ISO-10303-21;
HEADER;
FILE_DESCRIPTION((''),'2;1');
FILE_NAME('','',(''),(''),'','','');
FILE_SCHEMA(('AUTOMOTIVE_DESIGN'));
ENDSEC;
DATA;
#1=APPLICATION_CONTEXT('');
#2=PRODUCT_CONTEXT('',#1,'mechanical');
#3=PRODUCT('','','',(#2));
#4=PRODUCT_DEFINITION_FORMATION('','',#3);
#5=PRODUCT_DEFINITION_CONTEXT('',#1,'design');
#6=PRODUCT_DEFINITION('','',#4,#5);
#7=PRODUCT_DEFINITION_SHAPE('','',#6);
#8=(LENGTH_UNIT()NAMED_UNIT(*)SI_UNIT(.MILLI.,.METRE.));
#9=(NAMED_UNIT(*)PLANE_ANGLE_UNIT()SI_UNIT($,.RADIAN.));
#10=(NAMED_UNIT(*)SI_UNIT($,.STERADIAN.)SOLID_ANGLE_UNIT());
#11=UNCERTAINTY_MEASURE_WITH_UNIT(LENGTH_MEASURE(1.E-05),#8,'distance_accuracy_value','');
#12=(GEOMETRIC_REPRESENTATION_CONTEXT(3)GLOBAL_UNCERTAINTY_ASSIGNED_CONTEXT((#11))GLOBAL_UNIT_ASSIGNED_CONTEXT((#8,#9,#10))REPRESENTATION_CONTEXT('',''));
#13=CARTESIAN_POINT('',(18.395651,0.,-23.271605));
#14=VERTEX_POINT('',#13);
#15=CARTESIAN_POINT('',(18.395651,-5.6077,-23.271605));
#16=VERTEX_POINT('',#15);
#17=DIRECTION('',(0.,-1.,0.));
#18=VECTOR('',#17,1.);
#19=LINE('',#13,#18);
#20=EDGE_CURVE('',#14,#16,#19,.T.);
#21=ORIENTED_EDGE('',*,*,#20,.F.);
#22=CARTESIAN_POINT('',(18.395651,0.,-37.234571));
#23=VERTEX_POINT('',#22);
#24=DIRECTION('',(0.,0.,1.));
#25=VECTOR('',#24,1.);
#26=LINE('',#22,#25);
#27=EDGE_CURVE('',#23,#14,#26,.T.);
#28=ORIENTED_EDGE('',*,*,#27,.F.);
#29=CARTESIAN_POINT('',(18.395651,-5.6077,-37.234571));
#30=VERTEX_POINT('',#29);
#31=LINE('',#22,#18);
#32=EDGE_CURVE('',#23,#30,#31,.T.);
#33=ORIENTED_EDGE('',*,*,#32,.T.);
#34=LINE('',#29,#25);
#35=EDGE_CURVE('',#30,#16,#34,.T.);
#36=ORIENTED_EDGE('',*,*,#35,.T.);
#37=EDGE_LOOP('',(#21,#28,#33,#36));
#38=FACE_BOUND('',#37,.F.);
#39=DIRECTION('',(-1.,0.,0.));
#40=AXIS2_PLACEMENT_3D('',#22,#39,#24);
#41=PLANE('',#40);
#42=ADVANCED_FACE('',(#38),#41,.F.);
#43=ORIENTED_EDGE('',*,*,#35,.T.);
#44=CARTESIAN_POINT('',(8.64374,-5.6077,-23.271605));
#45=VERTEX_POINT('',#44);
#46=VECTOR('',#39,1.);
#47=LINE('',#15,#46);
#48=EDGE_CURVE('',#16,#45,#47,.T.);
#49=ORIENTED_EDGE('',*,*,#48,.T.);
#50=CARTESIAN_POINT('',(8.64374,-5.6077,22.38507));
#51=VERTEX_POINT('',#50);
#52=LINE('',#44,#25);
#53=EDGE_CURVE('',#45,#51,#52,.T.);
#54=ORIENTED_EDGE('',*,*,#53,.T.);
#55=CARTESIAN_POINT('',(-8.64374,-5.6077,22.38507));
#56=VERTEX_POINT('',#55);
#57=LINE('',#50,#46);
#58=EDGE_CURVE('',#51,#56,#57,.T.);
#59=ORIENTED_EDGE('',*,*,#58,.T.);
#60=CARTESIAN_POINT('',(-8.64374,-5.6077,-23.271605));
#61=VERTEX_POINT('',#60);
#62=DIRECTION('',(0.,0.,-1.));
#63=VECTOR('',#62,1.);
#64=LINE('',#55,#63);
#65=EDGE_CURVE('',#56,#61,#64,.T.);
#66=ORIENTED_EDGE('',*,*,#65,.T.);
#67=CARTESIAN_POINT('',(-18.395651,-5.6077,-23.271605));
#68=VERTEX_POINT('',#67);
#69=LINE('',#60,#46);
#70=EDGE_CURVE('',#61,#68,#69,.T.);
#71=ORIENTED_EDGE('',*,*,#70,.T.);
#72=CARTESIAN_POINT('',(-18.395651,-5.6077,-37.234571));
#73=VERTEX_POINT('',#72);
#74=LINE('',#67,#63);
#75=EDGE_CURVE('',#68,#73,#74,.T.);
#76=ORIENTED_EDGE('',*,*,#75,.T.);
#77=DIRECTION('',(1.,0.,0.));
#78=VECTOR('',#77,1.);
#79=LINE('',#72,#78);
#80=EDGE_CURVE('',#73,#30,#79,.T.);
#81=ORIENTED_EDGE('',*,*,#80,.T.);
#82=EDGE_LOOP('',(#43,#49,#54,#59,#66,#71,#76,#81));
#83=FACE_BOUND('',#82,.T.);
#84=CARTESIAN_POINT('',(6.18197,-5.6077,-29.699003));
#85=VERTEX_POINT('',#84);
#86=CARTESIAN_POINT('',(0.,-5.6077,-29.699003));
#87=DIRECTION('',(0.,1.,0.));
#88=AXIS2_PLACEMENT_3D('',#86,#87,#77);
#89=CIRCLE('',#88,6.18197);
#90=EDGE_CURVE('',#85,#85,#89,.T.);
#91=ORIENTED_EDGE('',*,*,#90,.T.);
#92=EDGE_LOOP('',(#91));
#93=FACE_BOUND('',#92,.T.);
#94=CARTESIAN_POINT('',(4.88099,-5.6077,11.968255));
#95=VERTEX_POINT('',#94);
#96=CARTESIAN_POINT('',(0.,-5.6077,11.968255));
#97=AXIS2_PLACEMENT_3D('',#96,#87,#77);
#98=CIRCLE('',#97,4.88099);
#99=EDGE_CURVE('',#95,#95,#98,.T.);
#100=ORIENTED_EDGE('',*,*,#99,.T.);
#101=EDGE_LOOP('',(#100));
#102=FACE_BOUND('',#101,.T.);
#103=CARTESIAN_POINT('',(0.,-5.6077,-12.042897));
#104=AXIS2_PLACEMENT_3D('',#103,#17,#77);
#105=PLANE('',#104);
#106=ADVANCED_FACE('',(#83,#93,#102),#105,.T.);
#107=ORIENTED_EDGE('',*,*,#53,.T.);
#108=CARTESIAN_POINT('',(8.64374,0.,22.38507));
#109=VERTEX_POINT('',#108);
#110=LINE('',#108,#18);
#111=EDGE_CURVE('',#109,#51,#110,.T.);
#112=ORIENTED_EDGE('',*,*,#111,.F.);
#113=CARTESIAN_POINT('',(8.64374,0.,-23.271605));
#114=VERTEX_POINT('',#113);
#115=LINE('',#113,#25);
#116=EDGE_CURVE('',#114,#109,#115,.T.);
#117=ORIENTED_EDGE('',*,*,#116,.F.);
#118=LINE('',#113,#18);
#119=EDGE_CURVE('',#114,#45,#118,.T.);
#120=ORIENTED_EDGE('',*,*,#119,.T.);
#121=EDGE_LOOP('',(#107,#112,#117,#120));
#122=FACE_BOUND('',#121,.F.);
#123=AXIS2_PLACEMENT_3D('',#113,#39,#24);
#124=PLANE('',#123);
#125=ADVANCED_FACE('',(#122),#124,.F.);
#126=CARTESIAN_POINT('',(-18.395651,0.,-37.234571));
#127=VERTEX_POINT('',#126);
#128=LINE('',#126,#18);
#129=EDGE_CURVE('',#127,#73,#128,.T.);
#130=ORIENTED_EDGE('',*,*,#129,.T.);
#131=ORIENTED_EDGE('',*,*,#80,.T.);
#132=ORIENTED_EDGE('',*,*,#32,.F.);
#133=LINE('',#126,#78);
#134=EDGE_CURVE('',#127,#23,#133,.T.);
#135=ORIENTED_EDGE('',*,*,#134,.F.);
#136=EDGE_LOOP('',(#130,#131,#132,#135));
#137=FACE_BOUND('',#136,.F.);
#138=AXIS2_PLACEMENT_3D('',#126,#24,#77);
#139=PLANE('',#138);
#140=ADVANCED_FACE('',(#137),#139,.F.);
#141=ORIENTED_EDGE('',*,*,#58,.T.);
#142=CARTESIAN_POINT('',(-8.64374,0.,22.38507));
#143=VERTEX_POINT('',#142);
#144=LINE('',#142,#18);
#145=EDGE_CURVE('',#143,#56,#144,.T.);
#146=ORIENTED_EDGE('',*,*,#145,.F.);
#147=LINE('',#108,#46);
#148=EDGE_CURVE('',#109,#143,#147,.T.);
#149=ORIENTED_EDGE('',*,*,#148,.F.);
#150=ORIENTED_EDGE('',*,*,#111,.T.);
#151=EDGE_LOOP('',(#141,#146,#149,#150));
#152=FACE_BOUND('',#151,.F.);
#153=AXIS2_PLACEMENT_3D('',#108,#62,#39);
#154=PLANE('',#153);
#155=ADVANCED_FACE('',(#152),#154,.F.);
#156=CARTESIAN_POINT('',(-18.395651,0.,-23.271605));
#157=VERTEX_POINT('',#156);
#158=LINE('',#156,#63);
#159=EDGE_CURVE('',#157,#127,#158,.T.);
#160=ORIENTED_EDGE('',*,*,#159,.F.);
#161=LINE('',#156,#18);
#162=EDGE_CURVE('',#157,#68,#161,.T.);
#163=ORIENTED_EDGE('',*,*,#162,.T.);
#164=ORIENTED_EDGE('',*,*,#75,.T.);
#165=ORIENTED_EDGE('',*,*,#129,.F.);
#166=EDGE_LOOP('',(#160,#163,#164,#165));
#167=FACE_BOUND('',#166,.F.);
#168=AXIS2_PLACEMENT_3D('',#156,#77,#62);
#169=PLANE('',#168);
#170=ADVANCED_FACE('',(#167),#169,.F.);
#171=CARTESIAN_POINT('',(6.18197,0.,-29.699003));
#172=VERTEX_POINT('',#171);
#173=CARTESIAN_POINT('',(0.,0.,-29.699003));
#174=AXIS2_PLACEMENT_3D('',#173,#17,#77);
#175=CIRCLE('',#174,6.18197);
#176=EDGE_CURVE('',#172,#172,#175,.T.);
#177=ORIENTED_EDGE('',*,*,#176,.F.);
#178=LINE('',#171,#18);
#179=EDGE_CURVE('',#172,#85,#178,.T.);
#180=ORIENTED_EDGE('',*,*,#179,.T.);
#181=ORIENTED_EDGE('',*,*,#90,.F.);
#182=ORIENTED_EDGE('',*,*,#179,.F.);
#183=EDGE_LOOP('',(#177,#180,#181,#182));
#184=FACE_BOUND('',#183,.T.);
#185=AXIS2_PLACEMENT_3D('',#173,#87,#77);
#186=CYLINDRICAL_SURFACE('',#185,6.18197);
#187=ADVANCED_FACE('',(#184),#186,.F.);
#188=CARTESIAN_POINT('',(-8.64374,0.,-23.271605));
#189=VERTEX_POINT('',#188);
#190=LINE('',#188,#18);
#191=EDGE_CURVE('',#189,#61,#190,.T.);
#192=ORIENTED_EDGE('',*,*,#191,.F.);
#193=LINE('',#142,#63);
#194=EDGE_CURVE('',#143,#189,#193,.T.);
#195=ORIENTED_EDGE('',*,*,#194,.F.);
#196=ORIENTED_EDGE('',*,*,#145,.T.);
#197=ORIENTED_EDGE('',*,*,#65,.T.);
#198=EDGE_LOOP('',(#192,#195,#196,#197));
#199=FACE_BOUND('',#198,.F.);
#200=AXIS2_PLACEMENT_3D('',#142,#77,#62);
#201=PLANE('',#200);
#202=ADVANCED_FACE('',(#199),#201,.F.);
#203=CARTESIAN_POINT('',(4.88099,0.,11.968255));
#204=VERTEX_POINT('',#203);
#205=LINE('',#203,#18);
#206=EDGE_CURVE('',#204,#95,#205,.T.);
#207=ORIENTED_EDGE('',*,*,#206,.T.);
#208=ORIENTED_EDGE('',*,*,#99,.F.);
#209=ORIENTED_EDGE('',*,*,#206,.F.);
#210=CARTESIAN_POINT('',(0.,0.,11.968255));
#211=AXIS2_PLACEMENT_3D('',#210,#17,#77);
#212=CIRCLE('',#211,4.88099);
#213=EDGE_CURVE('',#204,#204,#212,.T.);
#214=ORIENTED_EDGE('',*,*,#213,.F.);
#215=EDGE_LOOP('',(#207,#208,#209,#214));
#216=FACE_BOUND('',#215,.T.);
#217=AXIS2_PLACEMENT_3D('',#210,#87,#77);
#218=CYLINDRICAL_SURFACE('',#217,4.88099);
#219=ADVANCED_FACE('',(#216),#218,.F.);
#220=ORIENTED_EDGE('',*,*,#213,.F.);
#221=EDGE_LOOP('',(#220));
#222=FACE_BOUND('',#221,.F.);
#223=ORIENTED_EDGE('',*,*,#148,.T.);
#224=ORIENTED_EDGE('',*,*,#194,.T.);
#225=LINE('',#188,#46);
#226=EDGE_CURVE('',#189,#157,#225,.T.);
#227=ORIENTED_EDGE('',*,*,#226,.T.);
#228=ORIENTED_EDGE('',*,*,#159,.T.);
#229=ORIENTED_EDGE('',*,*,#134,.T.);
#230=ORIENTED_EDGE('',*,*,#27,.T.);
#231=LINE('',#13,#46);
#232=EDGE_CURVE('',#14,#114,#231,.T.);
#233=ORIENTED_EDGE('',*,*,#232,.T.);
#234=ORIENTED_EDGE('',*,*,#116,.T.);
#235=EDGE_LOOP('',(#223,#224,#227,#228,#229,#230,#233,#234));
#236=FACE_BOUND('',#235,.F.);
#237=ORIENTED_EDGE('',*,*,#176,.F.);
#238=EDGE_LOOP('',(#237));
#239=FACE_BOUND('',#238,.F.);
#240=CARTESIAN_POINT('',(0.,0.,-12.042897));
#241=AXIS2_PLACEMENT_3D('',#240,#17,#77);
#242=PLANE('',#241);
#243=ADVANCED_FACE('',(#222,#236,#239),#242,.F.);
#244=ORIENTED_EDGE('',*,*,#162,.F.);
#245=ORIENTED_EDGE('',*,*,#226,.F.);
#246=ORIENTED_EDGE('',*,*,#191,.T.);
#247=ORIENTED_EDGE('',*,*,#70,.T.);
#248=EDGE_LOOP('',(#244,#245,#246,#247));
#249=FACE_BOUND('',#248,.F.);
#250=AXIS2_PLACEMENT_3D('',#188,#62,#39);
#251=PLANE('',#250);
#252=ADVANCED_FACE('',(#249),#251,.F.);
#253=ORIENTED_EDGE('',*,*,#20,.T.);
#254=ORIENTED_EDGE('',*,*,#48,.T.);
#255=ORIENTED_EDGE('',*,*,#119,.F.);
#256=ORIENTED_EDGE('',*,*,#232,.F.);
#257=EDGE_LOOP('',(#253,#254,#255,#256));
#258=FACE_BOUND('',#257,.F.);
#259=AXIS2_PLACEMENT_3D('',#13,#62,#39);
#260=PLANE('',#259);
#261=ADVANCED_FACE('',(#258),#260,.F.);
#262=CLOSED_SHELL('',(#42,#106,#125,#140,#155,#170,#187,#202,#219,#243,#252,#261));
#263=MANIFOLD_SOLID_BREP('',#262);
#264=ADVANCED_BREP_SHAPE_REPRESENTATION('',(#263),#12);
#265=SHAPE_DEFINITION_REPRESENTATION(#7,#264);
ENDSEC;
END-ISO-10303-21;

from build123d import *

# Parameters (mm, degrees)
F2_R     = 4.88099
F3_DEPTH = 5.6077
F4_DEPTH = 25.4
F1_R     = 6.18197
F5_DEPTH = 25.4


with BuildPart() as f3:
    # F2 (on face) → F3 (new body)
    with BuildSketch(Plane.XZ):
        Polygon((8.64374, 22.38507), (0, 22.38507), (-8.64374, 22.38507), (-8.64374, -23.271605), (-18.395651, -23.271605), (-18.395651, -37.234571), (0, -37.234571), (18.395651, -37.234571), (18.395651, -23.271605), (8.64374, -23.271605), align=None)
        with Locations((0, 11.968255)):
            Circle(F2_R, mode=Mode.SUBTRACT)
        with Locations((0, 11.968255)):
            Circle(F2_R)
    extrude(amount=F3_DEPTH)

    # F2 (on face) → F4 (cut)
    with BuildSketch(Plane.XZ):
        with Locations((0, 11.968255)):
            Circle(F2_R)
    extrude(amount=F4_DEPTH, mode=Mode.SUBTRACT)

    # F1 (on face) → F5 (cut)
    with BuildSketch(Plane.XZ):
        with Locations((0, -29.699003)):
            Circle(F1_R)
    extrude(amount=F5_DEPTH, mode=Mode.SUBTRACT)


solid = f3.part
